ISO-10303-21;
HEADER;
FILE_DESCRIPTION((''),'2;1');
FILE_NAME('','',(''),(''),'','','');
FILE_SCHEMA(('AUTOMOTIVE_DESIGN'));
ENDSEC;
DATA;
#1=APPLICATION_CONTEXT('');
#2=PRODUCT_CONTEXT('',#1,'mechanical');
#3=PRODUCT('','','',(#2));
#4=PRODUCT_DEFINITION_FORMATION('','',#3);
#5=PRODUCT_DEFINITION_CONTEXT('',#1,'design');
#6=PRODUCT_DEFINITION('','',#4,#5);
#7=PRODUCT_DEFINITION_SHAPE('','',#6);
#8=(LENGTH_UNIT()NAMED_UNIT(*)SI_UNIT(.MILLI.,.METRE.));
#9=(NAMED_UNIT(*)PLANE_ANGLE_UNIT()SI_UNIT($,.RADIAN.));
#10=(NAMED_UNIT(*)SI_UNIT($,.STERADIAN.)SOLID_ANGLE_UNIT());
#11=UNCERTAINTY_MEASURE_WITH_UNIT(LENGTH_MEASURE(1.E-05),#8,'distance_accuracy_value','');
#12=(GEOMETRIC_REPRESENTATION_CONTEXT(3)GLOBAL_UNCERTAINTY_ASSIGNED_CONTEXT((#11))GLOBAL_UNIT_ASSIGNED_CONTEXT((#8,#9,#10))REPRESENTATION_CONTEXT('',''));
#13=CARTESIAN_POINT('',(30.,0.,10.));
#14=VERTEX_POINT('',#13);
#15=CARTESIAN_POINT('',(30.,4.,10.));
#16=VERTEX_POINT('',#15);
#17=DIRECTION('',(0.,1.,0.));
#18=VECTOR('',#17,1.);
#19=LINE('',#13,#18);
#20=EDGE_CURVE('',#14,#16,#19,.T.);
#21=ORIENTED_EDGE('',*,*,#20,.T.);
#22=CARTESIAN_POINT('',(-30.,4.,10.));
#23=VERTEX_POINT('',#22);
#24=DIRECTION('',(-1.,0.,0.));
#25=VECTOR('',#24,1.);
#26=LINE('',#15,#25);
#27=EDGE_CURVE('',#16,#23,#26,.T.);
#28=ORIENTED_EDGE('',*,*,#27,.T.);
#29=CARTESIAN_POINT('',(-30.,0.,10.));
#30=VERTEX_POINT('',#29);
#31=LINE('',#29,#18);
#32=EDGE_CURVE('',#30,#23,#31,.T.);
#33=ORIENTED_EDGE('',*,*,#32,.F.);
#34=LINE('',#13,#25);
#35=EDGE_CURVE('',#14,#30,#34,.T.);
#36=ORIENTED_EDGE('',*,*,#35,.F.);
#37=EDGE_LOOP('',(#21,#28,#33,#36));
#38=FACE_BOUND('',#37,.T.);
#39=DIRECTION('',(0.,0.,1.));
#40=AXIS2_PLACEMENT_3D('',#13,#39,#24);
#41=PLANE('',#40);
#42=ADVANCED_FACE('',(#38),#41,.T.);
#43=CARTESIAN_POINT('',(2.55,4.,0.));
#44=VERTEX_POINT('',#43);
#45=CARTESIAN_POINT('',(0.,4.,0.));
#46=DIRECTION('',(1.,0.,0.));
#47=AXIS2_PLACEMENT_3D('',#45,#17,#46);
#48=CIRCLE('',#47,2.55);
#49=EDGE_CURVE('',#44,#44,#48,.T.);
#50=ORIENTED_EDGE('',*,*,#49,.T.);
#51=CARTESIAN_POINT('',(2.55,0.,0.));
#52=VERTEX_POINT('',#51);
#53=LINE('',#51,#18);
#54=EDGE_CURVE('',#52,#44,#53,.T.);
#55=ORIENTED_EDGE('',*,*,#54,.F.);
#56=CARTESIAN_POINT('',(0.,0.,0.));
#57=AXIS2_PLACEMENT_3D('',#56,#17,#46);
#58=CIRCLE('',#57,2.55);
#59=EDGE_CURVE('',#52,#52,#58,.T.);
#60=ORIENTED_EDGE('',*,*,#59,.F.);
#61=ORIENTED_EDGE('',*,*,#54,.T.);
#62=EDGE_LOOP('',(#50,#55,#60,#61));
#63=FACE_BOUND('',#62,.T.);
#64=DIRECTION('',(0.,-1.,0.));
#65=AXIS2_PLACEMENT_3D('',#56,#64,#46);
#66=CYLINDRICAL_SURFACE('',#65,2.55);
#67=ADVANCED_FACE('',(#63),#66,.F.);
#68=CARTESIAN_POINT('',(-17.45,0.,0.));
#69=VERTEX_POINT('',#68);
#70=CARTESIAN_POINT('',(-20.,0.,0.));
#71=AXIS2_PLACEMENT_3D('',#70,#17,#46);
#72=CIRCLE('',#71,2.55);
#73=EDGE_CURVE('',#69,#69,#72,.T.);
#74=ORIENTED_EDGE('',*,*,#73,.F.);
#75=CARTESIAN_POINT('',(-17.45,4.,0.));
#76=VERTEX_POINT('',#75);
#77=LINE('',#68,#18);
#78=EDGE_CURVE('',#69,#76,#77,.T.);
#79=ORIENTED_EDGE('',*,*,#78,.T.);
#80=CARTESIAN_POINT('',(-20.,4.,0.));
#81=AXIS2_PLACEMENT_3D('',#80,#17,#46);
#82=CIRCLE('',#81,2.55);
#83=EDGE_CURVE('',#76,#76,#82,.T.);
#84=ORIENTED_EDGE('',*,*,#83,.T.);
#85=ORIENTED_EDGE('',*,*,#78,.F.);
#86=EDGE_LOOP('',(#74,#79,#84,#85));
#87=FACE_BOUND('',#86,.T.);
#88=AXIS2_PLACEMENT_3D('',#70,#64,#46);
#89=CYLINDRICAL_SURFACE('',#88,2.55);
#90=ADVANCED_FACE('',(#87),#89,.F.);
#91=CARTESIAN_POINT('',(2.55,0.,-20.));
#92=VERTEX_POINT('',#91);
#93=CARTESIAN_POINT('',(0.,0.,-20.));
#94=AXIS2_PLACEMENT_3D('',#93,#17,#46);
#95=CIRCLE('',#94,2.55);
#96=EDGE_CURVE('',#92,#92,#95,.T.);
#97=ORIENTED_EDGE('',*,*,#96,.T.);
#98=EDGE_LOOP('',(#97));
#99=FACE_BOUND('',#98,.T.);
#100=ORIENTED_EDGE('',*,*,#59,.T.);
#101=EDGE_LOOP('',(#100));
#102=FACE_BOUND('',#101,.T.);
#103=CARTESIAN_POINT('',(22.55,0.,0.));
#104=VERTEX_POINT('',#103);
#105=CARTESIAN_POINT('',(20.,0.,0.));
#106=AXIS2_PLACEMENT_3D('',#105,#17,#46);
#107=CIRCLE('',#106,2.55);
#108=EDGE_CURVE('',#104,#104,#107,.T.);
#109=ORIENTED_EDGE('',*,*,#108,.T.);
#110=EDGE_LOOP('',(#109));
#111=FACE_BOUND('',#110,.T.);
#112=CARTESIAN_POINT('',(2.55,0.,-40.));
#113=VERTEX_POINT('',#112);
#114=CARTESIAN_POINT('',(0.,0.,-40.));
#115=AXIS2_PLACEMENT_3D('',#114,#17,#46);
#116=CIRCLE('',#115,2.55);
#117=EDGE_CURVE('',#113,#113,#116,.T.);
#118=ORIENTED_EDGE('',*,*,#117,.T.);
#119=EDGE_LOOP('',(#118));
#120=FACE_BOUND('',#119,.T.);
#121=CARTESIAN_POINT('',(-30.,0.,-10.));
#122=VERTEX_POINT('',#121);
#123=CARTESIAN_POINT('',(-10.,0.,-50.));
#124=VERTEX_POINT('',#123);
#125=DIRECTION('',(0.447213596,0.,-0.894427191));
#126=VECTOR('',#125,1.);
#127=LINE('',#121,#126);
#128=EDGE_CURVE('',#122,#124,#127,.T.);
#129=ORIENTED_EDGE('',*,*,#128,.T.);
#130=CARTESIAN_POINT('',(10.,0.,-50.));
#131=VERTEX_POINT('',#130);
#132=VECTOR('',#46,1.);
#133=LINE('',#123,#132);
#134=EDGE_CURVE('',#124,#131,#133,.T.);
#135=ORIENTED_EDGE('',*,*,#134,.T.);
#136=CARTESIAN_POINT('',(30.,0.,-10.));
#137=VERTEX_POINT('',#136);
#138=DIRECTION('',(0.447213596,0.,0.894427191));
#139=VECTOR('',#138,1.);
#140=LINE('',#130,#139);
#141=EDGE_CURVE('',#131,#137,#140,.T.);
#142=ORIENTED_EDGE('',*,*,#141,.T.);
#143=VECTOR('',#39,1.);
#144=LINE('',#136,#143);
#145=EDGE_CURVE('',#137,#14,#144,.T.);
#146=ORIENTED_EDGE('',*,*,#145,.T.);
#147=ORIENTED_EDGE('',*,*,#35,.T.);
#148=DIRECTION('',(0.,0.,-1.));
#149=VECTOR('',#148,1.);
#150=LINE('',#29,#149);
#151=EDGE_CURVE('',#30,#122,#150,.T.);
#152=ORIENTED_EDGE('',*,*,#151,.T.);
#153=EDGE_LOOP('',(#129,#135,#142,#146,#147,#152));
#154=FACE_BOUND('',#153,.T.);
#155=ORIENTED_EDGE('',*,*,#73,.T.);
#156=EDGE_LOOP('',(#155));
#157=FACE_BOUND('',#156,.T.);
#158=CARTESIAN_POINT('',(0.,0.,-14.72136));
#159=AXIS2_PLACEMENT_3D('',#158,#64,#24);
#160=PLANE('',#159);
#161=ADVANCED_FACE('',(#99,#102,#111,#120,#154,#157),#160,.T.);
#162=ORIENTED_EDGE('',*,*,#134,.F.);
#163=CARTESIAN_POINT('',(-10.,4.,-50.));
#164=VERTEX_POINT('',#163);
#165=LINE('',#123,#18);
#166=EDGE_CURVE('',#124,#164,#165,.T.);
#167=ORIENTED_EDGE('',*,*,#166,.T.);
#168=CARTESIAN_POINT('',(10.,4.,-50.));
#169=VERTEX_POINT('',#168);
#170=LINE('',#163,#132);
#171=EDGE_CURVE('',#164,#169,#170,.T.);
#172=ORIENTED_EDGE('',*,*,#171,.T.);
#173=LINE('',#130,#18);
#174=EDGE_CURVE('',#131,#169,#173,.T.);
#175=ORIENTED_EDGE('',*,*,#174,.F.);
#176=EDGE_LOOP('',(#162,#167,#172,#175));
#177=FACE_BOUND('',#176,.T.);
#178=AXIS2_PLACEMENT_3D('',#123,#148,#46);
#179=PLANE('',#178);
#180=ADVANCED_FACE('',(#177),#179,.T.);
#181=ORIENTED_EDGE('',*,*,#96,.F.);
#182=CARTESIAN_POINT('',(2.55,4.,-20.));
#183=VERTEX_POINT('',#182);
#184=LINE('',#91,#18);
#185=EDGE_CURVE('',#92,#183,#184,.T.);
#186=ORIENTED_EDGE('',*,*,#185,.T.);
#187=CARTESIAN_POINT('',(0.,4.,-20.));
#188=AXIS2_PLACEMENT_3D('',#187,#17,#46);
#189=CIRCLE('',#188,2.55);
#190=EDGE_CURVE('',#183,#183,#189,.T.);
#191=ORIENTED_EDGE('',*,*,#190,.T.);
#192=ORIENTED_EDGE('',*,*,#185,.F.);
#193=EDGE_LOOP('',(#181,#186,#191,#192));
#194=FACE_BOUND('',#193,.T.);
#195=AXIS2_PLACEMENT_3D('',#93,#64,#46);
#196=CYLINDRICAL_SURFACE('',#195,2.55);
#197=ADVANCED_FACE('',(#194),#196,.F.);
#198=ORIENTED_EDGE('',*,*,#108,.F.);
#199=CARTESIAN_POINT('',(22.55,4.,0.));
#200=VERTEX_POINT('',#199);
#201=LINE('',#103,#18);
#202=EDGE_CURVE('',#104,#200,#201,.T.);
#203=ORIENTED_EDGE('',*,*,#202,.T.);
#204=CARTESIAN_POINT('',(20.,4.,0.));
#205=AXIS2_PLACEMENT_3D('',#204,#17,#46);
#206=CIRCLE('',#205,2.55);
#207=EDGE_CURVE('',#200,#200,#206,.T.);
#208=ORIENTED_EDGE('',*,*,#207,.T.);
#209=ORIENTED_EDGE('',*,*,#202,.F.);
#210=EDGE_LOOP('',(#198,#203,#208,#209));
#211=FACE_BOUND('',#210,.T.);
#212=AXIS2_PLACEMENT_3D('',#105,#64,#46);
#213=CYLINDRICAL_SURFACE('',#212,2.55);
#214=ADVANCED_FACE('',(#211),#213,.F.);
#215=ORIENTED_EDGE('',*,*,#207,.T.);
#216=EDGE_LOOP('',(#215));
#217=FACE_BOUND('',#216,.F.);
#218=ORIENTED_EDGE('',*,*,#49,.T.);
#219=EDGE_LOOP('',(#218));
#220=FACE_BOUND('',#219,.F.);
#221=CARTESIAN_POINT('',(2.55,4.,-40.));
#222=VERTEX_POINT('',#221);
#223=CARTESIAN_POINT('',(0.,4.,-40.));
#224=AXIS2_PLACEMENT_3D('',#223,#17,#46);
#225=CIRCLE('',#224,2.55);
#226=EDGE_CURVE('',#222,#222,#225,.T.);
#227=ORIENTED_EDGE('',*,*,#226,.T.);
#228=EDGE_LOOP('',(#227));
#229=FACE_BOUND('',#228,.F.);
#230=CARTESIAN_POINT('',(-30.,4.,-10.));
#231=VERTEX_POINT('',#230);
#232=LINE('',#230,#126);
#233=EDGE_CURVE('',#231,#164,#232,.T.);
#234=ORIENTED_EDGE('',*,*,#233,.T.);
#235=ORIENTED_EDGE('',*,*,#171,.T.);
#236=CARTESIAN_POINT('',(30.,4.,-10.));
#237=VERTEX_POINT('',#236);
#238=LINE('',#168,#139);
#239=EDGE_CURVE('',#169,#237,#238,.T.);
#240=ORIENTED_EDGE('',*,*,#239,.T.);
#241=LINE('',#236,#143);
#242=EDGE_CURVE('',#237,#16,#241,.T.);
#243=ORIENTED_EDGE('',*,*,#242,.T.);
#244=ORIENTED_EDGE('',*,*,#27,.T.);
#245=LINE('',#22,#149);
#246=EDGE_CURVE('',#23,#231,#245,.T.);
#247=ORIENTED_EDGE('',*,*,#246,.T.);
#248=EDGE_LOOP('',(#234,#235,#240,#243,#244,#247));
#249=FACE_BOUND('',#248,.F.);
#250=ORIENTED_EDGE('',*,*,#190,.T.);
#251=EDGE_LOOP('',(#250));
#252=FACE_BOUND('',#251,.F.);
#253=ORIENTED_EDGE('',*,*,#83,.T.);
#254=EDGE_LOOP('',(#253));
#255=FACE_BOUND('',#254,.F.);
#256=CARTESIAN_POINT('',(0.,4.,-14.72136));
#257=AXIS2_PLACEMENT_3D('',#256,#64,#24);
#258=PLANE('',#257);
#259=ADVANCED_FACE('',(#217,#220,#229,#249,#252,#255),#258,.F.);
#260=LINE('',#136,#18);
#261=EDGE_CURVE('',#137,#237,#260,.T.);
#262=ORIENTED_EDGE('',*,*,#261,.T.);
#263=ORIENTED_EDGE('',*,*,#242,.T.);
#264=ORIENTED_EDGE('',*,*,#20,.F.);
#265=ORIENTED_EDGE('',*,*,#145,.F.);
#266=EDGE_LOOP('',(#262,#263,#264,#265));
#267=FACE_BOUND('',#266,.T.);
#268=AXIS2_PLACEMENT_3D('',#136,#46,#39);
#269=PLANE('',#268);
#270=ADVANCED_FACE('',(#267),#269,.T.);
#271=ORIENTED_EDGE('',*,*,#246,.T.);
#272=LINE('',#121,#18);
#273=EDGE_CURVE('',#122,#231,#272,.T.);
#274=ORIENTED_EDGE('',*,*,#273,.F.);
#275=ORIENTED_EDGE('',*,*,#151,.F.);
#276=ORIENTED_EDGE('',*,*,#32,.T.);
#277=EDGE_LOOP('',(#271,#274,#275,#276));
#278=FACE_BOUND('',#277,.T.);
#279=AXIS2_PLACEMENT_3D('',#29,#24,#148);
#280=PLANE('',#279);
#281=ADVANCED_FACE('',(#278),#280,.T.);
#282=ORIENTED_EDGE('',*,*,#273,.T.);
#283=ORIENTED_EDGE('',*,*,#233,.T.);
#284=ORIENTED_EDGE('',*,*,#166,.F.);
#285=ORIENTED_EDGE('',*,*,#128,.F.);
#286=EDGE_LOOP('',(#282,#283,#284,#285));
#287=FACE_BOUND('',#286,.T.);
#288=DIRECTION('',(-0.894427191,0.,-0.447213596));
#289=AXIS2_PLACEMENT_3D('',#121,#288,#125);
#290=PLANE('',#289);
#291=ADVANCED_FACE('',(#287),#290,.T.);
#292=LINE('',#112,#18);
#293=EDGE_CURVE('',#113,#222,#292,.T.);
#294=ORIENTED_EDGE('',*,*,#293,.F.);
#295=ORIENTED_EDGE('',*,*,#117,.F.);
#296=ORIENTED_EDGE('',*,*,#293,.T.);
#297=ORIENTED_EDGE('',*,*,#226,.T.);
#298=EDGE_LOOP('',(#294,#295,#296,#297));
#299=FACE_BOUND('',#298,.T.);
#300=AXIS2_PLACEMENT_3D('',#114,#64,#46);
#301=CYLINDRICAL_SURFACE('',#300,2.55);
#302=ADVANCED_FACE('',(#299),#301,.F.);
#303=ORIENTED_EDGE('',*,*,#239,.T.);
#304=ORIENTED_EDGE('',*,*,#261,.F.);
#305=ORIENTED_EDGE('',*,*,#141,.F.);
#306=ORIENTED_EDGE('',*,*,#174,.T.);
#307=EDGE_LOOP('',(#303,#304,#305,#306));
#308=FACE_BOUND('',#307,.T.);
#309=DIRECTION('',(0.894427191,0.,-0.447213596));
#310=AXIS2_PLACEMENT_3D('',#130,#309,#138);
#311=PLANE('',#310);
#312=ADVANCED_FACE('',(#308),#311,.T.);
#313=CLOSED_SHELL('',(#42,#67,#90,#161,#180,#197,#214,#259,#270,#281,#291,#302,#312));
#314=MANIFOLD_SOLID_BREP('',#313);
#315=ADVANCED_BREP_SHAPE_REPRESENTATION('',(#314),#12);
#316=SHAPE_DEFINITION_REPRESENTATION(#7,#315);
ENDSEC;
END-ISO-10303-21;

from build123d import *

# Parameters (mm, degrees)
SKETCH1_R           = 2.55
BOSS_EXTRUDE1_DEPTH = 4


with BuildPart() as part:
    # Sketch1 → Boss-Extrude1 (new body)
    with BuildSketch(Plane(origin=(0, 0, 0), x_dir=(1, 0, 0), z_dir=(0, 1, 0))):
        Polygon((30, -10), (-30, -10), (-30, 10), (-10, 50), (10, 50), (30, 10), align=None)
        with Locations((-20, 0)):
            Circle(SKETCH1_R, mode=Mode.SUBTRACT)
        with Locations((20, 0)):
            Circle(SKETCH1_R, mode=Mode.SUBTRACT)
        Circle(SKETCH1_R, mode=Mode.SUBTRACT)
        with Locations((0, 20)):
            Circle(SKETCH1_R, mode=Mode.SUBTRACT)
        with Locations((0, 40)):
            Circle(SKETCH1_R, mode=Mode.SUBTRACT)
    extrude(amount=BOSS_EXTRUDE1_DEPTH)


solid = part.part
